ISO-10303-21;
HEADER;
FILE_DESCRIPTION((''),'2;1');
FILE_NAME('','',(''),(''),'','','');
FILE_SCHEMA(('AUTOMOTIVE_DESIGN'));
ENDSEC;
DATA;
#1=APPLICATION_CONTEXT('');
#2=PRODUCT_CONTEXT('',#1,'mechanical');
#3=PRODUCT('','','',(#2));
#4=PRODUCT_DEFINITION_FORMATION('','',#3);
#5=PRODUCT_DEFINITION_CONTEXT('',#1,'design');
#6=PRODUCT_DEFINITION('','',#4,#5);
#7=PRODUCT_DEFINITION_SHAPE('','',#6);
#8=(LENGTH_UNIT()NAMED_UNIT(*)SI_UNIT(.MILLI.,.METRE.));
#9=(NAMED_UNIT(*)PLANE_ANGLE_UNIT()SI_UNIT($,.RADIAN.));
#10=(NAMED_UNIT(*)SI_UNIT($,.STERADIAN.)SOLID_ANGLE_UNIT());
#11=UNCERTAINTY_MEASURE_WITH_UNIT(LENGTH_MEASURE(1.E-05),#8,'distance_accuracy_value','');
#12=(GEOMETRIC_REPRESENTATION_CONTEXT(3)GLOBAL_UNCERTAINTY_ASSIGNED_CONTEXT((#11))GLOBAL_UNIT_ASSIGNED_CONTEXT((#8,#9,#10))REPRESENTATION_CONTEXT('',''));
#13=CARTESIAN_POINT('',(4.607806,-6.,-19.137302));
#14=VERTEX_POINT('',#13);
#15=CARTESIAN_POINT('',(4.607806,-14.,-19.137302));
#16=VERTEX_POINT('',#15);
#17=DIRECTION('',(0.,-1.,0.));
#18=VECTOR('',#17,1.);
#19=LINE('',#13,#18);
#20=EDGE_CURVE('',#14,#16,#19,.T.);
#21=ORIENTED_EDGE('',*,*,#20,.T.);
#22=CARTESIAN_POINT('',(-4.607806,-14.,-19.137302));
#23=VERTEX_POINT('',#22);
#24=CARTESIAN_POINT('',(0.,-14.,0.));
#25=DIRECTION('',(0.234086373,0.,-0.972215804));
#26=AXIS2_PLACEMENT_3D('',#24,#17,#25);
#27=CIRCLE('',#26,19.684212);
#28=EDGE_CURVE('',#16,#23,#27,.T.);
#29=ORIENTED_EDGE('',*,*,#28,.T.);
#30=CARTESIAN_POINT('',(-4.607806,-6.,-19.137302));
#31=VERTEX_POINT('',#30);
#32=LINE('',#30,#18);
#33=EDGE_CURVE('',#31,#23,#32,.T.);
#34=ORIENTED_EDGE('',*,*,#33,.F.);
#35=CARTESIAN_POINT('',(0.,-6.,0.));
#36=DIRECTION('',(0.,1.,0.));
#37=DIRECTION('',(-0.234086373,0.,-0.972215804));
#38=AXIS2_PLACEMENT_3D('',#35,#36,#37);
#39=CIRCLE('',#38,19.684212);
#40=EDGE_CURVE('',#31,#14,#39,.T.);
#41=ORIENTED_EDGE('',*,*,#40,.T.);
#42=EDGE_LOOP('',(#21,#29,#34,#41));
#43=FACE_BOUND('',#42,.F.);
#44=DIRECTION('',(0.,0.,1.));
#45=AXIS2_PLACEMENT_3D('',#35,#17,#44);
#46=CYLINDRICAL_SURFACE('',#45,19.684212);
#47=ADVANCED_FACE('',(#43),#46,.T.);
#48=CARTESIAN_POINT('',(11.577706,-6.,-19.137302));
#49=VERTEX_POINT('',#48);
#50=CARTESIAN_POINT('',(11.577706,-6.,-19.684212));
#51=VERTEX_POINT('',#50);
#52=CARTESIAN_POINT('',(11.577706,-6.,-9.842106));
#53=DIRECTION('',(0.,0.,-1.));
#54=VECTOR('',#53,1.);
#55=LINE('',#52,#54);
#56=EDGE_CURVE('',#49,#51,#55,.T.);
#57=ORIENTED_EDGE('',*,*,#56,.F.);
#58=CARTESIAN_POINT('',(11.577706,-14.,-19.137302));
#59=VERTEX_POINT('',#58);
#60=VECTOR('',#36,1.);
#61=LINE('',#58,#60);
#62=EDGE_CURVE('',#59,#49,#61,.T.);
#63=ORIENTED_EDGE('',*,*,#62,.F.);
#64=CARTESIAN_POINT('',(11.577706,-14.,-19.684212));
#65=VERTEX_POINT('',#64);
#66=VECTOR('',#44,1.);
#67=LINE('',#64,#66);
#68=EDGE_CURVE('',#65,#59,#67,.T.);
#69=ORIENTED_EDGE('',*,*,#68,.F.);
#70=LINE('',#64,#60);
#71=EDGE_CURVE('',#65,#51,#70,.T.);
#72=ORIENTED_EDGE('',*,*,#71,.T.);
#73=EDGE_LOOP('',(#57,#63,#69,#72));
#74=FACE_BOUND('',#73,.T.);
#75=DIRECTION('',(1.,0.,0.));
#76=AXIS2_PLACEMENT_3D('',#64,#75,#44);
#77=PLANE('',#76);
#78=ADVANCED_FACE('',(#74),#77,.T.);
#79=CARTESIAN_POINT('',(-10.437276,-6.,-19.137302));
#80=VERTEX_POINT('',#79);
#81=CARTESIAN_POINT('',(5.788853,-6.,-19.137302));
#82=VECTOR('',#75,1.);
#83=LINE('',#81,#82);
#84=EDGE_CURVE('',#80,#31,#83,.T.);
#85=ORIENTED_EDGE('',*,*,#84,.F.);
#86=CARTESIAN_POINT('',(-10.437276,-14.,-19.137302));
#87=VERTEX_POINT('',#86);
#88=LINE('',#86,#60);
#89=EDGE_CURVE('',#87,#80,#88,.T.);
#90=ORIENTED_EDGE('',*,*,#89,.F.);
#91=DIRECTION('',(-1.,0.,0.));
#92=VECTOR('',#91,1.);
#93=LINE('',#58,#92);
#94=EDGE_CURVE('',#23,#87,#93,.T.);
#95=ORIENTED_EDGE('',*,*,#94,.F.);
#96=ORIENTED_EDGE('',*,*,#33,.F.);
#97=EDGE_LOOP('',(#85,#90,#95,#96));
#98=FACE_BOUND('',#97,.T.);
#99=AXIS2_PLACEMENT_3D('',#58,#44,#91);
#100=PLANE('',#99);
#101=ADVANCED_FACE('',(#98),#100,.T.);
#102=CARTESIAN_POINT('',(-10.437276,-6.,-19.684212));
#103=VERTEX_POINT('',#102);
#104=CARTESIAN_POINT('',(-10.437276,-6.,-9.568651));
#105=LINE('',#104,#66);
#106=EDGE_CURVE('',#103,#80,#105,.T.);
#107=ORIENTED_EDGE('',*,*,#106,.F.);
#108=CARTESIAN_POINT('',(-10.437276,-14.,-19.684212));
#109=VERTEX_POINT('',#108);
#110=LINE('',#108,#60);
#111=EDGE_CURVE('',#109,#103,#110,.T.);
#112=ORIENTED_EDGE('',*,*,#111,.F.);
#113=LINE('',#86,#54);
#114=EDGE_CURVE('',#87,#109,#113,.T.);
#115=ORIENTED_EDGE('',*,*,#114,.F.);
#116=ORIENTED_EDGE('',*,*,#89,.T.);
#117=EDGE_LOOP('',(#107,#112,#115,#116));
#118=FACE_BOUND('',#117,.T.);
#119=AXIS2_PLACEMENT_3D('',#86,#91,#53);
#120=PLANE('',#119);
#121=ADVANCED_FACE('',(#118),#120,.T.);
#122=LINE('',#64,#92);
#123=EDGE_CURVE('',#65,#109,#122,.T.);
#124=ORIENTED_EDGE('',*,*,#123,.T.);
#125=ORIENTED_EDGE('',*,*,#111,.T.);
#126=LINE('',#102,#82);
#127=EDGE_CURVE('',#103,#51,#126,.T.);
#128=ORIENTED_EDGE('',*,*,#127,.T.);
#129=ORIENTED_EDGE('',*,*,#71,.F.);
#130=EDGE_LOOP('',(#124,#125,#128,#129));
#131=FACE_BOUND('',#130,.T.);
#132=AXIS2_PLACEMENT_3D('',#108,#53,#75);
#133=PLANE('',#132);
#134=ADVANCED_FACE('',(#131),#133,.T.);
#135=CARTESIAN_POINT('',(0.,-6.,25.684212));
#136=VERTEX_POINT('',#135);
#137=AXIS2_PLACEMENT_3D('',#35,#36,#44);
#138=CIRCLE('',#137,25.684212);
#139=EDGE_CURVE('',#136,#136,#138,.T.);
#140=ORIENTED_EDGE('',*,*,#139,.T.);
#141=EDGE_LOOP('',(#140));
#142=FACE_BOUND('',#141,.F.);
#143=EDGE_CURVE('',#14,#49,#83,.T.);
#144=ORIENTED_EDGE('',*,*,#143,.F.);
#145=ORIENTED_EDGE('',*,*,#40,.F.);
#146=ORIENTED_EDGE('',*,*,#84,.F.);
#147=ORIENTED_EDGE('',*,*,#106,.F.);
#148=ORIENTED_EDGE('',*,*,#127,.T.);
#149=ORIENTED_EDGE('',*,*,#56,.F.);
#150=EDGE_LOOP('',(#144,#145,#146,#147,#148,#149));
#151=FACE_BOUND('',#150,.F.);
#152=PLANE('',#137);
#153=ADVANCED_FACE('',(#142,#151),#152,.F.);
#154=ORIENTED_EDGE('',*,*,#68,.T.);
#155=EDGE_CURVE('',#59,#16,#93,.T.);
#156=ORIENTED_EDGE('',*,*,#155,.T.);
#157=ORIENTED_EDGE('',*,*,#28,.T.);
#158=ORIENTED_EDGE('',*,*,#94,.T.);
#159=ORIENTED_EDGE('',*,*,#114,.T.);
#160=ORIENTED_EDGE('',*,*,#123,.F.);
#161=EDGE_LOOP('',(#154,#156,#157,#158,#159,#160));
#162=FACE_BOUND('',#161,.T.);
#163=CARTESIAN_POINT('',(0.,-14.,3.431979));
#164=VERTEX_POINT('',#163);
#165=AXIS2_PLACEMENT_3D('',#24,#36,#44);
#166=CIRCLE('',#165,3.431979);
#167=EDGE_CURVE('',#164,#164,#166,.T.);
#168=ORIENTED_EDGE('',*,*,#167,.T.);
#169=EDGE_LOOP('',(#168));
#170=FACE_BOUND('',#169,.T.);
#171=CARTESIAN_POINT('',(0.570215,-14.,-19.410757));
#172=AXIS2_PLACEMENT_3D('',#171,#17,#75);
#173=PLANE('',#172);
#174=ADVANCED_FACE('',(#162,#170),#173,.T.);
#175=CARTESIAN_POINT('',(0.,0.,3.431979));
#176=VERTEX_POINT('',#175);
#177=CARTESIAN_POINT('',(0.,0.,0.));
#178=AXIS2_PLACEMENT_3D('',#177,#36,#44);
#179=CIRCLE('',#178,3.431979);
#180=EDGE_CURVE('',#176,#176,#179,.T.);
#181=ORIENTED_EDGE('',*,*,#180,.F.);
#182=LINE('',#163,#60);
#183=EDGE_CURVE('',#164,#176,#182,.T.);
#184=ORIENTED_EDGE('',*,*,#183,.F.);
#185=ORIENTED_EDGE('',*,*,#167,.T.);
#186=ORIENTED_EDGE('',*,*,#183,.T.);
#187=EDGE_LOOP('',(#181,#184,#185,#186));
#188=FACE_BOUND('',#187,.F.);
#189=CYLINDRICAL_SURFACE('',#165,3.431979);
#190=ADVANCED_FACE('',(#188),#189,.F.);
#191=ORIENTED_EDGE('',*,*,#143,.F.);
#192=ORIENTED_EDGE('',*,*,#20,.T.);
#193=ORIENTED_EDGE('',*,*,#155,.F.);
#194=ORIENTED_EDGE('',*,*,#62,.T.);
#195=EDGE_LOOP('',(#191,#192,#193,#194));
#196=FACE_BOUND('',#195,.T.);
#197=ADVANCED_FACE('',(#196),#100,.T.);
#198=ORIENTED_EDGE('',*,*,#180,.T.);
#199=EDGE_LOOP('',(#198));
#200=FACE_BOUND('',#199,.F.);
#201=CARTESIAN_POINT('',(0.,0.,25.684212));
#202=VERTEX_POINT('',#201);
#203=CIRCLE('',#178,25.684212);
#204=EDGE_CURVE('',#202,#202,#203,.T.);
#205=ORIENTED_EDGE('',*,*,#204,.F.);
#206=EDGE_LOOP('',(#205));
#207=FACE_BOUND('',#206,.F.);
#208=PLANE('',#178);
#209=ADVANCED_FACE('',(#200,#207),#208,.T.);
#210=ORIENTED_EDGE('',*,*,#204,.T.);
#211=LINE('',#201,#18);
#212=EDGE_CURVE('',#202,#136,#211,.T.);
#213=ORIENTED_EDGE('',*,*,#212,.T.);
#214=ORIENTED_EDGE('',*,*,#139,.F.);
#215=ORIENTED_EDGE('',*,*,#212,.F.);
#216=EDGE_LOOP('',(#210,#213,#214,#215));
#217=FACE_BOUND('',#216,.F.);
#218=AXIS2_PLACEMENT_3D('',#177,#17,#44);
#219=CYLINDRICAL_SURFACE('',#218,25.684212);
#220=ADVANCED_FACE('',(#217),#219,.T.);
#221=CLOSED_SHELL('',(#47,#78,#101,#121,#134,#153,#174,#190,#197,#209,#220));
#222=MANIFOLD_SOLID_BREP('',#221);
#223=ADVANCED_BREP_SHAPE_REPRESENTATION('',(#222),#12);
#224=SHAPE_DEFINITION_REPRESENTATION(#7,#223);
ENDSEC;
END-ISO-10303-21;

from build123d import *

# Parameters (mm, degrees)
F3_DEPTH = 10


with BuildPart() as f1:
    # F0 (on Right) → F1 (revolve)
    with BuildSketch(Plane.YZ):
        Polygon((-14, 3.431979), (0, 3.431979), (0, 25.684212), (-6, 25.684212), (-6, 19.684212), (-14, 19.684212), align=None)
    revolve(axis=Axis((0, -7, 0), (0, 1, 0)))

    # F2 (on face) → F3 (join)
    with BuildSketch(Plane.XZ.offset(14)):
        Polygon((-10.437276, -19.684212), (0, -19.684212), (11.577706, -19.684212), (11.577706, -19.137302), (-10.437276, -19.137302), align=None)
    extrude(amount=-F3_DEPTH)


solid = f1.part
